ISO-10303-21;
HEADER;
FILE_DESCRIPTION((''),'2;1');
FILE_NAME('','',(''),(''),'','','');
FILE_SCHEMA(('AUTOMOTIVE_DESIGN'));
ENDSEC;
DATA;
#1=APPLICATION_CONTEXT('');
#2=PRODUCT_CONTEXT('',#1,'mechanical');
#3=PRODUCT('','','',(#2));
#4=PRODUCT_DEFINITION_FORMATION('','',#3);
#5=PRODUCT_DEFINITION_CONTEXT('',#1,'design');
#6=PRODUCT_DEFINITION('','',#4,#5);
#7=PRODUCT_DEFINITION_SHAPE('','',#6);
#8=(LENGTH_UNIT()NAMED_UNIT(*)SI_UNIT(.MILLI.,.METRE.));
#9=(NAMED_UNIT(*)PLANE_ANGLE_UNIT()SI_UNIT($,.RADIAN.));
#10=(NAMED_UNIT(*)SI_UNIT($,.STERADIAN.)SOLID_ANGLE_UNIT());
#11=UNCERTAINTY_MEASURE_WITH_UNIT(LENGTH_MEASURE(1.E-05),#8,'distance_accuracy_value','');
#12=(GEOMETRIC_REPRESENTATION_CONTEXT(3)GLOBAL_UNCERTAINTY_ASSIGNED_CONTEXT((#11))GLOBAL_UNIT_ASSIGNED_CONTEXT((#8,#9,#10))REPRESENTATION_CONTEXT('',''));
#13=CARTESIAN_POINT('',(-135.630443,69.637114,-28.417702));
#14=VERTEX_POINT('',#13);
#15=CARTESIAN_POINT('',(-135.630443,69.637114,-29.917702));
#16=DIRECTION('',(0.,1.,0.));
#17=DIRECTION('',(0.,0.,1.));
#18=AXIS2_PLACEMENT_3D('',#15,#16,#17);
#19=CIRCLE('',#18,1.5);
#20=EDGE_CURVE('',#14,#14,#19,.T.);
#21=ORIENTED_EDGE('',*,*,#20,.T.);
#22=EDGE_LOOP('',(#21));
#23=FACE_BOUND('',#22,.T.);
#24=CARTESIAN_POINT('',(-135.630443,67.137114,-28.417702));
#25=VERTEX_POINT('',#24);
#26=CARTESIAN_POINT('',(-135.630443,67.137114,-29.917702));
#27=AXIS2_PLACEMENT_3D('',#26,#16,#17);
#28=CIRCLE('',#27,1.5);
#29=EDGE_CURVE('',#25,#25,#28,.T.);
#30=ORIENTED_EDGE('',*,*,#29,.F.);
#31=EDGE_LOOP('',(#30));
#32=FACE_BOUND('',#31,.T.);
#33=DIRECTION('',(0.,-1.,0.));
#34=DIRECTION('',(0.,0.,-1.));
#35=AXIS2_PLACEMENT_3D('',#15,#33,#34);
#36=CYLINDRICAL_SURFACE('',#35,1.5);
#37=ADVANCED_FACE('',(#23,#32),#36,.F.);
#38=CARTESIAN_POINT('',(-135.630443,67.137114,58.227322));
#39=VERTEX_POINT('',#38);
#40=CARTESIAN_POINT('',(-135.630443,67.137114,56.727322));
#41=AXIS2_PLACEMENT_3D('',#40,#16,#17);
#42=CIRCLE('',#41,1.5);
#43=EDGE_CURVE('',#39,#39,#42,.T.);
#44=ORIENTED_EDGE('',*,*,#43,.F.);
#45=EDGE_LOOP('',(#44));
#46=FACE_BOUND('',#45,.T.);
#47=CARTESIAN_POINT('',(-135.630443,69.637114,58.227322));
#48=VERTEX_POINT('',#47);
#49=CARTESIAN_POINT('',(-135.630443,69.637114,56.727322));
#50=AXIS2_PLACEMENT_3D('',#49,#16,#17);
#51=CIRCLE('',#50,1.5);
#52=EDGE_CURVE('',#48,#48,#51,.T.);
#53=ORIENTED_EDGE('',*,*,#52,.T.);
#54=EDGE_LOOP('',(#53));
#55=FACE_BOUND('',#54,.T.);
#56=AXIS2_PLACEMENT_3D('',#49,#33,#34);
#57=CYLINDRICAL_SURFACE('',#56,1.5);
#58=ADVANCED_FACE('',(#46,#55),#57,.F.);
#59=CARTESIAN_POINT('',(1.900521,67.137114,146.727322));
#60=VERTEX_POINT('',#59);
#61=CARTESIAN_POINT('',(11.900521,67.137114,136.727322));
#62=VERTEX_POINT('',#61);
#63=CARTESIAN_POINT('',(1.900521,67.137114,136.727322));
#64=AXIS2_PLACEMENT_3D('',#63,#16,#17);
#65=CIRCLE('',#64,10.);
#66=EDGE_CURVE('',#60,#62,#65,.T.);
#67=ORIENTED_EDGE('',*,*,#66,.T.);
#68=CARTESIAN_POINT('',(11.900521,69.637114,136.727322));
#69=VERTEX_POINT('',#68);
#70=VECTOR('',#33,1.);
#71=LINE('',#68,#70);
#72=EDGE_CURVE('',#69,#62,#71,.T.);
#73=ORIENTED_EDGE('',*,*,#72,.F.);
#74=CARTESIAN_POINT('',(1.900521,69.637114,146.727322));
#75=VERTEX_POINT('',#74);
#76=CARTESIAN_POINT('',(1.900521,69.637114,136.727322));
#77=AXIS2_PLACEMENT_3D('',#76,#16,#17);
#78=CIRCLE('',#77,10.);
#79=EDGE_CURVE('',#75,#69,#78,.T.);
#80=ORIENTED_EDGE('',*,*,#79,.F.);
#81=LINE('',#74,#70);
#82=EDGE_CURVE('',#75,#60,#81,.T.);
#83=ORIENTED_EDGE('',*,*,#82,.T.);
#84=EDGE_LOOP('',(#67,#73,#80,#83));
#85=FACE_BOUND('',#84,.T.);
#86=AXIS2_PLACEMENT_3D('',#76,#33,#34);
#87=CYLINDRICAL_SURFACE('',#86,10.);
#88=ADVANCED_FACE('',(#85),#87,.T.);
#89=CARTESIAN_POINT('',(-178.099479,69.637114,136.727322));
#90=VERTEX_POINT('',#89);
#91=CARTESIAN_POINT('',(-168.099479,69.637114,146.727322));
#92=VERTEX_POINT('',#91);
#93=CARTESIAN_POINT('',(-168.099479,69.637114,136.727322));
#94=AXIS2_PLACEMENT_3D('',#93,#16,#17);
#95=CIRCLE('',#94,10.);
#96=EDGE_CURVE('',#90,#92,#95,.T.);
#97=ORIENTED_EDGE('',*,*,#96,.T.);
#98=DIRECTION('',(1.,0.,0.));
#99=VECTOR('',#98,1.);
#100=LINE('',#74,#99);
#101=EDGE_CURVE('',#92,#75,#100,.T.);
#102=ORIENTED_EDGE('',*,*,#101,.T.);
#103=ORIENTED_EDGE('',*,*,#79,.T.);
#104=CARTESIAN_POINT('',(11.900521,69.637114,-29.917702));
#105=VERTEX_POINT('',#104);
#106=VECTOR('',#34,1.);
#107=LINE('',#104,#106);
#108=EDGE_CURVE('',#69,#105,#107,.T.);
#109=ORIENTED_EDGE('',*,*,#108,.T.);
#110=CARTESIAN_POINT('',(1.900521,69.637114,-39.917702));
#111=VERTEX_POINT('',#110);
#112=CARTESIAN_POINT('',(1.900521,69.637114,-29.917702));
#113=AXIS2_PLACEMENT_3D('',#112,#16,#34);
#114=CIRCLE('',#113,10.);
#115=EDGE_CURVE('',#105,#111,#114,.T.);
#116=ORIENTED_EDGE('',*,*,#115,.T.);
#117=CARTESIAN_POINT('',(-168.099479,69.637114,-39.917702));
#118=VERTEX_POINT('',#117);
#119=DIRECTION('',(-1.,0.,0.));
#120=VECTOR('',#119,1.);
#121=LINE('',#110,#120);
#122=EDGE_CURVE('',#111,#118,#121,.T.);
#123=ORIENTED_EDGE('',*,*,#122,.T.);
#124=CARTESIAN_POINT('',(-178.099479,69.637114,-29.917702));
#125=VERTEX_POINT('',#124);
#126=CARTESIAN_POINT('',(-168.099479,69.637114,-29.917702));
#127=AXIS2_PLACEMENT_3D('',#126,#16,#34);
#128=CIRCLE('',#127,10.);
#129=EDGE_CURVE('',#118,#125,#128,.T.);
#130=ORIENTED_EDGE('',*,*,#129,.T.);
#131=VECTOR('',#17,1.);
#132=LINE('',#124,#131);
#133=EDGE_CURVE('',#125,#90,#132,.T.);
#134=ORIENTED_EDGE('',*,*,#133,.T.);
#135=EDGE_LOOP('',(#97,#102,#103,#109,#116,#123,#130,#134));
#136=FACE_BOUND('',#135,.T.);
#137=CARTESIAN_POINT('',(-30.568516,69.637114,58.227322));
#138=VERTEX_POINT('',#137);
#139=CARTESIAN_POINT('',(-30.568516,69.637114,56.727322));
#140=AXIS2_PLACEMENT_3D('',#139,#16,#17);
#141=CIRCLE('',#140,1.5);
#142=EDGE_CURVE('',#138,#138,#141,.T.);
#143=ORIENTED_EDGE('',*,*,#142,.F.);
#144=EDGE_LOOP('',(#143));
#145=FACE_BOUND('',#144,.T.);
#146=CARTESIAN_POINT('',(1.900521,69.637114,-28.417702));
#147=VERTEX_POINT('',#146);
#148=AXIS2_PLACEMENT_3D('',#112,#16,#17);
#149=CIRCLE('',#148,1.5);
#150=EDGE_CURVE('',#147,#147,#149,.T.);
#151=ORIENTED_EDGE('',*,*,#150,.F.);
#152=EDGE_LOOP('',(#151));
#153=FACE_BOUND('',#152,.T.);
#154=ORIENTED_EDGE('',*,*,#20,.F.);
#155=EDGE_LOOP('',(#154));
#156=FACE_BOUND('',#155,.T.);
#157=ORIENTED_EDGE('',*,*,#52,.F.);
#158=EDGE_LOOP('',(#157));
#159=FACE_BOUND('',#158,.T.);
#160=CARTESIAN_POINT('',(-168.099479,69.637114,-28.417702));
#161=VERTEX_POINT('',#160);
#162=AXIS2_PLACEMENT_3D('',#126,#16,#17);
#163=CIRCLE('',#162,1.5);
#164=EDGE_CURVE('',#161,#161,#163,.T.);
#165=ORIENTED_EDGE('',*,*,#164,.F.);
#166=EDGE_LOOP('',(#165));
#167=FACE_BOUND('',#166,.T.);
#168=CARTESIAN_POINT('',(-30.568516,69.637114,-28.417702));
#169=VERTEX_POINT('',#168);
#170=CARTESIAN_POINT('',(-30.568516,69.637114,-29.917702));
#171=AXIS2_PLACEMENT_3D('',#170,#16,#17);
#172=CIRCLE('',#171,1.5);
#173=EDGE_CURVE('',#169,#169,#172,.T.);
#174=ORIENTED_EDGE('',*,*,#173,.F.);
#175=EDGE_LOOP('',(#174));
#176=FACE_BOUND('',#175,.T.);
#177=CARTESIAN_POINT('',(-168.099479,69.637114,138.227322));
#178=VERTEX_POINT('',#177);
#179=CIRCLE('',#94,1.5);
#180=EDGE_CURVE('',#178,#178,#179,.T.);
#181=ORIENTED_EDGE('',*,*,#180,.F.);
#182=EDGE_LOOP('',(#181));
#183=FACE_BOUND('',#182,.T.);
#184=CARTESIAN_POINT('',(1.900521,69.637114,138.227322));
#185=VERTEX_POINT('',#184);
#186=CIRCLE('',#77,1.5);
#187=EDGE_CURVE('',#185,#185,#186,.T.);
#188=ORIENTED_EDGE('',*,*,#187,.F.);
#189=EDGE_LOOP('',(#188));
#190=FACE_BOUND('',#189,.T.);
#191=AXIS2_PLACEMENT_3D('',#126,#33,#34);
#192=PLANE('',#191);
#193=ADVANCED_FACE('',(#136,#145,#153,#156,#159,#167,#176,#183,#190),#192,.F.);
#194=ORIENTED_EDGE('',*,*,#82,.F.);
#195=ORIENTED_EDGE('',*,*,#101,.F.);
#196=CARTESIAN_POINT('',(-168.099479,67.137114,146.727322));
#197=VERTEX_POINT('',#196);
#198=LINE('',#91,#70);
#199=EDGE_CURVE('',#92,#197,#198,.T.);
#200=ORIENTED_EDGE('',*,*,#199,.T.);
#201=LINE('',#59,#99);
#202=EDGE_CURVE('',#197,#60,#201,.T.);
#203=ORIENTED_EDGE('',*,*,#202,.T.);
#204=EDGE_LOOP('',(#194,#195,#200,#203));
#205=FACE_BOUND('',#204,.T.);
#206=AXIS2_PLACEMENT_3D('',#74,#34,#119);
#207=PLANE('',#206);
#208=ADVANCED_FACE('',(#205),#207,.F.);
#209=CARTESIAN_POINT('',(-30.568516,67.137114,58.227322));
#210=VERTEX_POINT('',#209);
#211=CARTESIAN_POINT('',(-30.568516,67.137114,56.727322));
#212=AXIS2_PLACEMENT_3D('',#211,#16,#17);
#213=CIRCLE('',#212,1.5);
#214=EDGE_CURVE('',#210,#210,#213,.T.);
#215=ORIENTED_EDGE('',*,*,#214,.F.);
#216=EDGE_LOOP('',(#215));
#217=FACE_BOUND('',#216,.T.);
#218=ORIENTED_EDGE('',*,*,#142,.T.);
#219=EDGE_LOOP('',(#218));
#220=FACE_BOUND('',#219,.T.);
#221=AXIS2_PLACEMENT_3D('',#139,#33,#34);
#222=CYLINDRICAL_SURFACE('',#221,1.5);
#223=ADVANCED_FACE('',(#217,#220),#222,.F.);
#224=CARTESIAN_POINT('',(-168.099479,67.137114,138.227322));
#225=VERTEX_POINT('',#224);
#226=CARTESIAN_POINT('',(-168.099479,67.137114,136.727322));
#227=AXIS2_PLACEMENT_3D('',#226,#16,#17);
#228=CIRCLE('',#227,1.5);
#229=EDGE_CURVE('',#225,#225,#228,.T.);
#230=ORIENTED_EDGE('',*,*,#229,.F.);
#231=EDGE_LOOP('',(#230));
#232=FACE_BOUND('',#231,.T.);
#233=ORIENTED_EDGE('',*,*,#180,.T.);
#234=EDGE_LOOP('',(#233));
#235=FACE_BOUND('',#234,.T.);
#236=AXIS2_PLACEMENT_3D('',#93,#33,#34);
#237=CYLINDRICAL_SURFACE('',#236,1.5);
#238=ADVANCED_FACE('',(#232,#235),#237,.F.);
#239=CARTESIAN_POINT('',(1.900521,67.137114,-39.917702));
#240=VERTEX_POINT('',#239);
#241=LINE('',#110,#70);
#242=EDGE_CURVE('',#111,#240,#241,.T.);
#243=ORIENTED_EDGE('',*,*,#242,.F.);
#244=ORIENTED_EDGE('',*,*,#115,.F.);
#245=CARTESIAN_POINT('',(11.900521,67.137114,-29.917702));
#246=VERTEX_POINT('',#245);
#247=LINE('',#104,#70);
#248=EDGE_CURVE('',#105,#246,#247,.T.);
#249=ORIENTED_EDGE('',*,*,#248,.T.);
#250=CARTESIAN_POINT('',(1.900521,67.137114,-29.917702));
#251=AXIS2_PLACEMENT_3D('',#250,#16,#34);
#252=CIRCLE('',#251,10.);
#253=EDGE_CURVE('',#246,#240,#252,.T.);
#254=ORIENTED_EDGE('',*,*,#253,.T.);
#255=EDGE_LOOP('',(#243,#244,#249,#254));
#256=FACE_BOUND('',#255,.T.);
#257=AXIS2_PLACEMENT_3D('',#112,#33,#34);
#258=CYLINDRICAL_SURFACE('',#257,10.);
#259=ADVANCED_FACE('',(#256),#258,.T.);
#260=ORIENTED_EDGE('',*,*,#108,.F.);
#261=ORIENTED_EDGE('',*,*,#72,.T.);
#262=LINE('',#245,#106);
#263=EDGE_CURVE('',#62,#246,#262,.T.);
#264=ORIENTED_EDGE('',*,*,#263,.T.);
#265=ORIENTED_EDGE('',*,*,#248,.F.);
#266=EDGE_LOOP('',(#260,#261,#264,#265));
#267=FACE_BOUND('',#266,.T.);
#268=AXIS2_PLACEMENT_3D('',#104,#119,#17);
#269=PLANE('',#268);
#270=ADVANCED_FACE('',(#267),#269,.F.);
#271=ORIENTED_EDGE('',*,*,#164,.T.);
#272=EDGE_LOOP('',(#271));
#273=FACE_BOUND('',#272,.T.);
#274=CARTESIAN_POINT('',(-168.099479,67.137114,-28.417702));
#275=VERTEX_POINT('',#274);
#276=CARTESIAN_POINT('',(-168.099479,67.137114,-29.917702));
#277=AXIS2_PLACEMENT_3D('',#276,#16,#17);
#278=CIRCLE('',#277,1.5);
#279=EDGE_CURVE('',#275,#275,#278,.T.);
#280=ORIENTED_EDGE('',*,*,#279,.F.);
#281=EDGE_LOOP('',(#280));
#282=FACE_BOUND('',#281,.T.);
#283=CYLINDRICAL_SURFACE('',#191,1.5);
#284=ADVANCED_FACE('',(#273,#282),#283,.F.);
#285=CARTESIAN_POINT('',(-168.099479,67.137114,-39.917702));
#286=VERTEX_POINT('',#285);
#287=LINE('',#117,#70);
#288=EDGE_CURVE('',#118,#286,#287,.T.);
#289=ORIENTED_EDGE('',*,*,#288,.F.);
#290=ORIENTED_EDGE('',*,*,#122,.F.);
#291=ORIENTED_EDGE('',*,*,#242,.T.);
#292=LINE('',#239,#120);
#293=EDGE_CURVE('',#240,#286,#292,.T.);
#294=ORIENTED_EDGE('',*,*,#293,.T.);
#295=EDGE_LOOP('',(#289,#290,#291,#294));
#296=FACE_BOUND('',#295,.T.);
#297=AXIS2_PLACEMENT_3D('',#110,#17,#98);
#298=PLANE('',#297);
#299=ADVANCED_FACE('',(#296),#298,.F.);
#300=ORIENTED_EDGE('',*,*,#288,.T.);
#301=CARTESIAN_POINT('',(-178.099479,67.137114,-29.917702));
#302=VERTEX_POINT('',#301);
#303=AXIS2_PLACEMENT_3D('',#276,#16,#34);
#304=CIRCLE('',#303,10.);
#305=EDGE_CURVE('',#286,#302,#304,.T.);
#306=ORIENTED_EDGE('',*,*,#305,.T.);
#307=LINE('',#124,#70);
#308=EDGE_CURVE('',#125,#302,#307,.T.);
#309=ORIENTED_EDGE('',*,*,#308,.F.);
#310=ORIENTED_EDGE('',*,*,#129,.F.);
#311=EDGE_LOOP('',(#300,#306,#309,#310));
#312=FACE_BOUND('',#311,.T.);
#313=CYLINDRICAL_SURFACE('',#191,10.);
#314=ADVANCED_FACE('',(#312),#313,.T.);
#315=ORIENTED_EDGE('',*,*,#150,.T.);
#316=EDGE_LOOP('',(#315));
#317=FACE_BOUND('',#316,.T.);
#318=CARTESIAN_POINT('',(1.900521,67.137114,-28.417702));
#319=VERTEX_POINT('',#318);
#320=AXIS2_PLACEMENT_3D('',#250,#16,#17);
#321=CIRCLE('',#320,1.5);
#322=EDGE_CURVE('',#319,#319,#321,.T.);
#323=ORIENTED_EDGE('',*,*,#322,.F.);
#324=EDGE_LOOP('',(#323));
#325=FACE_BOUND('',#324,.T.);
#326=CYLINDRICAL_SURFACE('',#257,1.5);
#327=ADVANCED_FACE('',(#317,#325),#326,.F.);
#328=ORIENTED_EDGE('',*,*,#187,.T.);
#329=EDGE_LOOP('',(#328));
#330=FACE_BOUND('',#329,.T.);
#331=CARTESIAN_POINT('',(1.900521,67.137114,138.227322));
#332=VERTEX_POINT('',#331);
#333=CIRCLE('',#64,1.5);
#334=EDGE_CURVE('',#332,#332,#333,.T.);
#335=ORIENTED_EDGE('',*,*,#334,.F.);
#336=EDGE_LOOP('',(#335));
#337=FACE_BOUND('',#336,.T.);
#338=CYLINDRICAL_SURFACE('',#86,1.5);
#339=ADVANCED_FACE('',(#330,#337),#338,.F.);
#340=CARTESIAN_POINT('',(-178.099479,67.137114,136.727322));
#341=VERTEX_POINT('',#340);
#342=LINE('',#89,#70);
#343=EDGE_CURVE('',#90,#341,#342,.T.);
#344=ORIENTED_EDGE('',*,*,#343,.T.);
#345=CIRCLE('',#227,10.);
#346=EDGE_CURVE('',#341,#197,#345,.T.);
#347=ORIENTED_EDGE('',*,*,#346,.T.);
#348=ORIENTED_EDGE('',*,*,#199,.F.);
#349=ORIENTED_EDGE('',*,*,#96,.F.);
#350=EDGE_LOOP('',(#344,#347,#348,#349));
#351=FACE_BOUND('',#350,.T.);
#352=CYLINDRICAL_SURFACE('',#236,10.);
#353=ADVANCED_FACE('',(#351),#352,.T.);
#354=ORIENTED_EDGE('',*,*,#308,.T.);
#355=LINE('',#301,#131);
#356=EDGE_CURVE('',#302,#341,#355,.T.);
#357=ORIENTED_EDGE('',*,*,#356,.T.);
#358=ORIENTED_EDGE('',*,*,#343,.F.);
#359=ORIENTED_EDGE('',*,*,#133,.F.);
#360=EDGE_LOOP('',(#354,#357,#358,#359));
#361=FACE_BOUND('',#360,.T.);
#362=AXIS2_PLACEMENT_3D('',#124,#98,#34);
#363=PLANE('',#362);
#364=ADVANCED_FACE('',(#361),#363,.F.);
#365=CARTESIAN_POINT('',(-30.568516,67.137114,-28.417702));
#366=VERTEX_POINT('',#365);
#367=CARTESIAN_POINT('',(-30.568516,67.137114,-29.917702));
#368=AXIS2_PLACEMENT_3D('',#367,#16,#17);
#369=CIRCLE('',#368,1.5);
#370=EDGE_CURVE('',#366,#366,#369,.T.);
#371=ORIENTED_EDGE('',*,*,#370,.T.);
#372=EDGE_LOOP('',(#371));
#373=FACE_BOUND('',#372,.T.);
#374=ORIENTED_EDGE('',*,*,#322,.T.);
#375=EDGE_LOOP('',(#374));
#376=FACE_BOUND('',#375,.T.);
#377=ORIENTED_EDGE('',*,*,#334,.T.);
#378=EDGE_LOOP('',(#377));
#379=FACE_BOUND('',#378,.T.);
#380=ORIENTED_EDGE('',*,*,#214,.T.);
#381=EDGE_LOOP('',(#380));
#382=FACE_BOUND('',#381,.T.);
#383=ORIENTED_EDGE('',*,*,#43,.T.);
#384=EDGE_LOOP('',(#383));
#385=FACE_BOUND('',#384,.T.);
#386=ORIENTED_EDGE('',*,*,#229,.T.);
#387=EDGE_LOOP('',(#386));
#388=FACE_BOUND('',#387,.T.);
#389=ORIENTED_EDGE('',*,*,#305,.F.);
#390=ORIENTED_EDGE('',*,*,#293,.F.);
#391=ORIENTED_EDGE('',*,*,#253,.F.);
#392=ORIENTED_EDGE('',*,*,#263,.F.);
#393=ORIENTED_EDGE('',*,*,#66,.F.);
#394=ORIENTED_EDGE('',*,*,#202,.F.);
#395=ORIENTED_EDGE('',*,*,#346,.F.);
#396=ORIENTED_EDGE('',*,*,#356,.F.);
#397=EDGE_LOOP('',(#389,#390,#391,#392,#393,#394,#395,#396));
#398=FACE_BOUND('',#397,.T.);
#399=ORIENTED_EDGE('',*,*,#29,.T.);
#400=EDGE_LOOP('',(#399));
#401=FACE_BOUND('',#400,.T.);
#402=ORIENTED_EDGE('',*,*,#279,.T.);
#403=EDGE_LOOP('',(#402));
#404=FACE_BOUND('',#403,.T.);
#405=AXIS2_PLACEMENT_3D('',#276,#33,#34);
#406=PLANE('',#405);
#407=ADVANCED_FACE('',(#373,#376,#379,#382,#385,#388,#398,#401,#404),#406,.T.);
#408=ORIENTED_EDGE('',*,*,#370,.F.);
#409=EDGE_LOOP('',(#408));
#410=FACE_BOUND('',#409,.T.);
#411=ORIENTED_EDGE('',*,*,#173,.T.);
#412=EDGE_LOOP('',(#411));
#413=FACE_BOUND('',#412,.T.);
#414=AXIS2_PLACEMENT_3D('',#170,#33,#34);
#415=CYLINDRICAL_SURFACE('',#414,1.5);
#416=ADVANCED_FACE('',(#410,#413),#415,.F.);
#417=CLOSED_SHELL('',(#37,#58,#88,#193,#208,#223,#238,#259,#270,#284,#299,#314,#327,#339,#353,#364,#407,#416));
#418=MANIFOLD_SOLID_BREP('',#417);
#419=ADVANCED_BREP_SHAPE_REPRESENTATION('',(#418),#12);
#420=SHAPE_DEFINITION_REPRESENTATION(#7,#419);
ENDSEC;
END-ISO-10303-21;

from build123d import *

# Parameters (mm, degrees)
SKETCH_1_R      = 1.5
EXTRUDE_1_DEPTH = 2.5


with BuildPart() as part:
    # 草图1 → 凸台-拉伸1 (new body)
    with BuildSketch(Plane(origin=(0, 67.13711373, 0), x_dir=(1, 0, 0), z_dir=(0, 1, 0))):
        with BuildLine():
            Line((1.900520775, 39.917702002), (-168.099479225, 39.917702002))
            ThreePointArc((-168.099479225, 39.917702002), (-175.170547037, 36.988769814), (-178.099479225, 29.917702002))
            Line((-178.099479225, 29.917702002), (-178.099479225, -136.727321584))
            ThreePointArc((-178.099479225, -136.727321584), (-175.170547037, -143.798389396), (-168.099479225, -146.727321584))
            Line((-168.099479225, -146.727321584), (1.900520775, -146.727321584))
            ThreePointArc((1.900520775, -146.727321584), (8.971588587, -143.798389396), (11.900520775, -136.727321584))
            Line((11.900520775, -136.727321584), (11.900520775, 29.917702002))
            ThreePointArc((11.900520775, 29.917702002), (8.971588587, 36.988769814), (1.900520775, 39.917702002))
        make_face()
        with Locations((-30.568515715, 29.917702002)):
            Circle(SKETCH_1_R, mode=Mode.SUBTRACT)
        with Locations((-135.630442735, 29.917702002)):
            Circle(SKETCH_1_R, mode=Mode.SUBTRACT)
        with Locations((-135.630442735, -56.727321584)):
            Circle(SKETCH_1_R, mode=Mode.SUBTRACT)
        with Locations((-30.568515715, -56.727321584)):
            Circle(SKETCH_1_R, mode=Mode.SUBTRACT)
        with Locations((1.900520775, 29.917702002)):
            Circle(SKETCH_1_R, mode=Mode.SUBTRACT)
        with Locations((1.900520775, -136.727321584)):
            Circle(SKETCH_1_R, mode=Mode.SUBTRACT)
        with Locations((-168.099479225, -136.727321584)):
            Circle(SKETCH_1_R, mode=Mode.SUBTRACT)
        with Locations((-168.099479225, 29.917702002)):
            Circle(SKETCH_1_R, mode=Mode.SUBTRACT)
    extrude(amount=EXTRUDE_1_DEPTH)


solid = part.part
